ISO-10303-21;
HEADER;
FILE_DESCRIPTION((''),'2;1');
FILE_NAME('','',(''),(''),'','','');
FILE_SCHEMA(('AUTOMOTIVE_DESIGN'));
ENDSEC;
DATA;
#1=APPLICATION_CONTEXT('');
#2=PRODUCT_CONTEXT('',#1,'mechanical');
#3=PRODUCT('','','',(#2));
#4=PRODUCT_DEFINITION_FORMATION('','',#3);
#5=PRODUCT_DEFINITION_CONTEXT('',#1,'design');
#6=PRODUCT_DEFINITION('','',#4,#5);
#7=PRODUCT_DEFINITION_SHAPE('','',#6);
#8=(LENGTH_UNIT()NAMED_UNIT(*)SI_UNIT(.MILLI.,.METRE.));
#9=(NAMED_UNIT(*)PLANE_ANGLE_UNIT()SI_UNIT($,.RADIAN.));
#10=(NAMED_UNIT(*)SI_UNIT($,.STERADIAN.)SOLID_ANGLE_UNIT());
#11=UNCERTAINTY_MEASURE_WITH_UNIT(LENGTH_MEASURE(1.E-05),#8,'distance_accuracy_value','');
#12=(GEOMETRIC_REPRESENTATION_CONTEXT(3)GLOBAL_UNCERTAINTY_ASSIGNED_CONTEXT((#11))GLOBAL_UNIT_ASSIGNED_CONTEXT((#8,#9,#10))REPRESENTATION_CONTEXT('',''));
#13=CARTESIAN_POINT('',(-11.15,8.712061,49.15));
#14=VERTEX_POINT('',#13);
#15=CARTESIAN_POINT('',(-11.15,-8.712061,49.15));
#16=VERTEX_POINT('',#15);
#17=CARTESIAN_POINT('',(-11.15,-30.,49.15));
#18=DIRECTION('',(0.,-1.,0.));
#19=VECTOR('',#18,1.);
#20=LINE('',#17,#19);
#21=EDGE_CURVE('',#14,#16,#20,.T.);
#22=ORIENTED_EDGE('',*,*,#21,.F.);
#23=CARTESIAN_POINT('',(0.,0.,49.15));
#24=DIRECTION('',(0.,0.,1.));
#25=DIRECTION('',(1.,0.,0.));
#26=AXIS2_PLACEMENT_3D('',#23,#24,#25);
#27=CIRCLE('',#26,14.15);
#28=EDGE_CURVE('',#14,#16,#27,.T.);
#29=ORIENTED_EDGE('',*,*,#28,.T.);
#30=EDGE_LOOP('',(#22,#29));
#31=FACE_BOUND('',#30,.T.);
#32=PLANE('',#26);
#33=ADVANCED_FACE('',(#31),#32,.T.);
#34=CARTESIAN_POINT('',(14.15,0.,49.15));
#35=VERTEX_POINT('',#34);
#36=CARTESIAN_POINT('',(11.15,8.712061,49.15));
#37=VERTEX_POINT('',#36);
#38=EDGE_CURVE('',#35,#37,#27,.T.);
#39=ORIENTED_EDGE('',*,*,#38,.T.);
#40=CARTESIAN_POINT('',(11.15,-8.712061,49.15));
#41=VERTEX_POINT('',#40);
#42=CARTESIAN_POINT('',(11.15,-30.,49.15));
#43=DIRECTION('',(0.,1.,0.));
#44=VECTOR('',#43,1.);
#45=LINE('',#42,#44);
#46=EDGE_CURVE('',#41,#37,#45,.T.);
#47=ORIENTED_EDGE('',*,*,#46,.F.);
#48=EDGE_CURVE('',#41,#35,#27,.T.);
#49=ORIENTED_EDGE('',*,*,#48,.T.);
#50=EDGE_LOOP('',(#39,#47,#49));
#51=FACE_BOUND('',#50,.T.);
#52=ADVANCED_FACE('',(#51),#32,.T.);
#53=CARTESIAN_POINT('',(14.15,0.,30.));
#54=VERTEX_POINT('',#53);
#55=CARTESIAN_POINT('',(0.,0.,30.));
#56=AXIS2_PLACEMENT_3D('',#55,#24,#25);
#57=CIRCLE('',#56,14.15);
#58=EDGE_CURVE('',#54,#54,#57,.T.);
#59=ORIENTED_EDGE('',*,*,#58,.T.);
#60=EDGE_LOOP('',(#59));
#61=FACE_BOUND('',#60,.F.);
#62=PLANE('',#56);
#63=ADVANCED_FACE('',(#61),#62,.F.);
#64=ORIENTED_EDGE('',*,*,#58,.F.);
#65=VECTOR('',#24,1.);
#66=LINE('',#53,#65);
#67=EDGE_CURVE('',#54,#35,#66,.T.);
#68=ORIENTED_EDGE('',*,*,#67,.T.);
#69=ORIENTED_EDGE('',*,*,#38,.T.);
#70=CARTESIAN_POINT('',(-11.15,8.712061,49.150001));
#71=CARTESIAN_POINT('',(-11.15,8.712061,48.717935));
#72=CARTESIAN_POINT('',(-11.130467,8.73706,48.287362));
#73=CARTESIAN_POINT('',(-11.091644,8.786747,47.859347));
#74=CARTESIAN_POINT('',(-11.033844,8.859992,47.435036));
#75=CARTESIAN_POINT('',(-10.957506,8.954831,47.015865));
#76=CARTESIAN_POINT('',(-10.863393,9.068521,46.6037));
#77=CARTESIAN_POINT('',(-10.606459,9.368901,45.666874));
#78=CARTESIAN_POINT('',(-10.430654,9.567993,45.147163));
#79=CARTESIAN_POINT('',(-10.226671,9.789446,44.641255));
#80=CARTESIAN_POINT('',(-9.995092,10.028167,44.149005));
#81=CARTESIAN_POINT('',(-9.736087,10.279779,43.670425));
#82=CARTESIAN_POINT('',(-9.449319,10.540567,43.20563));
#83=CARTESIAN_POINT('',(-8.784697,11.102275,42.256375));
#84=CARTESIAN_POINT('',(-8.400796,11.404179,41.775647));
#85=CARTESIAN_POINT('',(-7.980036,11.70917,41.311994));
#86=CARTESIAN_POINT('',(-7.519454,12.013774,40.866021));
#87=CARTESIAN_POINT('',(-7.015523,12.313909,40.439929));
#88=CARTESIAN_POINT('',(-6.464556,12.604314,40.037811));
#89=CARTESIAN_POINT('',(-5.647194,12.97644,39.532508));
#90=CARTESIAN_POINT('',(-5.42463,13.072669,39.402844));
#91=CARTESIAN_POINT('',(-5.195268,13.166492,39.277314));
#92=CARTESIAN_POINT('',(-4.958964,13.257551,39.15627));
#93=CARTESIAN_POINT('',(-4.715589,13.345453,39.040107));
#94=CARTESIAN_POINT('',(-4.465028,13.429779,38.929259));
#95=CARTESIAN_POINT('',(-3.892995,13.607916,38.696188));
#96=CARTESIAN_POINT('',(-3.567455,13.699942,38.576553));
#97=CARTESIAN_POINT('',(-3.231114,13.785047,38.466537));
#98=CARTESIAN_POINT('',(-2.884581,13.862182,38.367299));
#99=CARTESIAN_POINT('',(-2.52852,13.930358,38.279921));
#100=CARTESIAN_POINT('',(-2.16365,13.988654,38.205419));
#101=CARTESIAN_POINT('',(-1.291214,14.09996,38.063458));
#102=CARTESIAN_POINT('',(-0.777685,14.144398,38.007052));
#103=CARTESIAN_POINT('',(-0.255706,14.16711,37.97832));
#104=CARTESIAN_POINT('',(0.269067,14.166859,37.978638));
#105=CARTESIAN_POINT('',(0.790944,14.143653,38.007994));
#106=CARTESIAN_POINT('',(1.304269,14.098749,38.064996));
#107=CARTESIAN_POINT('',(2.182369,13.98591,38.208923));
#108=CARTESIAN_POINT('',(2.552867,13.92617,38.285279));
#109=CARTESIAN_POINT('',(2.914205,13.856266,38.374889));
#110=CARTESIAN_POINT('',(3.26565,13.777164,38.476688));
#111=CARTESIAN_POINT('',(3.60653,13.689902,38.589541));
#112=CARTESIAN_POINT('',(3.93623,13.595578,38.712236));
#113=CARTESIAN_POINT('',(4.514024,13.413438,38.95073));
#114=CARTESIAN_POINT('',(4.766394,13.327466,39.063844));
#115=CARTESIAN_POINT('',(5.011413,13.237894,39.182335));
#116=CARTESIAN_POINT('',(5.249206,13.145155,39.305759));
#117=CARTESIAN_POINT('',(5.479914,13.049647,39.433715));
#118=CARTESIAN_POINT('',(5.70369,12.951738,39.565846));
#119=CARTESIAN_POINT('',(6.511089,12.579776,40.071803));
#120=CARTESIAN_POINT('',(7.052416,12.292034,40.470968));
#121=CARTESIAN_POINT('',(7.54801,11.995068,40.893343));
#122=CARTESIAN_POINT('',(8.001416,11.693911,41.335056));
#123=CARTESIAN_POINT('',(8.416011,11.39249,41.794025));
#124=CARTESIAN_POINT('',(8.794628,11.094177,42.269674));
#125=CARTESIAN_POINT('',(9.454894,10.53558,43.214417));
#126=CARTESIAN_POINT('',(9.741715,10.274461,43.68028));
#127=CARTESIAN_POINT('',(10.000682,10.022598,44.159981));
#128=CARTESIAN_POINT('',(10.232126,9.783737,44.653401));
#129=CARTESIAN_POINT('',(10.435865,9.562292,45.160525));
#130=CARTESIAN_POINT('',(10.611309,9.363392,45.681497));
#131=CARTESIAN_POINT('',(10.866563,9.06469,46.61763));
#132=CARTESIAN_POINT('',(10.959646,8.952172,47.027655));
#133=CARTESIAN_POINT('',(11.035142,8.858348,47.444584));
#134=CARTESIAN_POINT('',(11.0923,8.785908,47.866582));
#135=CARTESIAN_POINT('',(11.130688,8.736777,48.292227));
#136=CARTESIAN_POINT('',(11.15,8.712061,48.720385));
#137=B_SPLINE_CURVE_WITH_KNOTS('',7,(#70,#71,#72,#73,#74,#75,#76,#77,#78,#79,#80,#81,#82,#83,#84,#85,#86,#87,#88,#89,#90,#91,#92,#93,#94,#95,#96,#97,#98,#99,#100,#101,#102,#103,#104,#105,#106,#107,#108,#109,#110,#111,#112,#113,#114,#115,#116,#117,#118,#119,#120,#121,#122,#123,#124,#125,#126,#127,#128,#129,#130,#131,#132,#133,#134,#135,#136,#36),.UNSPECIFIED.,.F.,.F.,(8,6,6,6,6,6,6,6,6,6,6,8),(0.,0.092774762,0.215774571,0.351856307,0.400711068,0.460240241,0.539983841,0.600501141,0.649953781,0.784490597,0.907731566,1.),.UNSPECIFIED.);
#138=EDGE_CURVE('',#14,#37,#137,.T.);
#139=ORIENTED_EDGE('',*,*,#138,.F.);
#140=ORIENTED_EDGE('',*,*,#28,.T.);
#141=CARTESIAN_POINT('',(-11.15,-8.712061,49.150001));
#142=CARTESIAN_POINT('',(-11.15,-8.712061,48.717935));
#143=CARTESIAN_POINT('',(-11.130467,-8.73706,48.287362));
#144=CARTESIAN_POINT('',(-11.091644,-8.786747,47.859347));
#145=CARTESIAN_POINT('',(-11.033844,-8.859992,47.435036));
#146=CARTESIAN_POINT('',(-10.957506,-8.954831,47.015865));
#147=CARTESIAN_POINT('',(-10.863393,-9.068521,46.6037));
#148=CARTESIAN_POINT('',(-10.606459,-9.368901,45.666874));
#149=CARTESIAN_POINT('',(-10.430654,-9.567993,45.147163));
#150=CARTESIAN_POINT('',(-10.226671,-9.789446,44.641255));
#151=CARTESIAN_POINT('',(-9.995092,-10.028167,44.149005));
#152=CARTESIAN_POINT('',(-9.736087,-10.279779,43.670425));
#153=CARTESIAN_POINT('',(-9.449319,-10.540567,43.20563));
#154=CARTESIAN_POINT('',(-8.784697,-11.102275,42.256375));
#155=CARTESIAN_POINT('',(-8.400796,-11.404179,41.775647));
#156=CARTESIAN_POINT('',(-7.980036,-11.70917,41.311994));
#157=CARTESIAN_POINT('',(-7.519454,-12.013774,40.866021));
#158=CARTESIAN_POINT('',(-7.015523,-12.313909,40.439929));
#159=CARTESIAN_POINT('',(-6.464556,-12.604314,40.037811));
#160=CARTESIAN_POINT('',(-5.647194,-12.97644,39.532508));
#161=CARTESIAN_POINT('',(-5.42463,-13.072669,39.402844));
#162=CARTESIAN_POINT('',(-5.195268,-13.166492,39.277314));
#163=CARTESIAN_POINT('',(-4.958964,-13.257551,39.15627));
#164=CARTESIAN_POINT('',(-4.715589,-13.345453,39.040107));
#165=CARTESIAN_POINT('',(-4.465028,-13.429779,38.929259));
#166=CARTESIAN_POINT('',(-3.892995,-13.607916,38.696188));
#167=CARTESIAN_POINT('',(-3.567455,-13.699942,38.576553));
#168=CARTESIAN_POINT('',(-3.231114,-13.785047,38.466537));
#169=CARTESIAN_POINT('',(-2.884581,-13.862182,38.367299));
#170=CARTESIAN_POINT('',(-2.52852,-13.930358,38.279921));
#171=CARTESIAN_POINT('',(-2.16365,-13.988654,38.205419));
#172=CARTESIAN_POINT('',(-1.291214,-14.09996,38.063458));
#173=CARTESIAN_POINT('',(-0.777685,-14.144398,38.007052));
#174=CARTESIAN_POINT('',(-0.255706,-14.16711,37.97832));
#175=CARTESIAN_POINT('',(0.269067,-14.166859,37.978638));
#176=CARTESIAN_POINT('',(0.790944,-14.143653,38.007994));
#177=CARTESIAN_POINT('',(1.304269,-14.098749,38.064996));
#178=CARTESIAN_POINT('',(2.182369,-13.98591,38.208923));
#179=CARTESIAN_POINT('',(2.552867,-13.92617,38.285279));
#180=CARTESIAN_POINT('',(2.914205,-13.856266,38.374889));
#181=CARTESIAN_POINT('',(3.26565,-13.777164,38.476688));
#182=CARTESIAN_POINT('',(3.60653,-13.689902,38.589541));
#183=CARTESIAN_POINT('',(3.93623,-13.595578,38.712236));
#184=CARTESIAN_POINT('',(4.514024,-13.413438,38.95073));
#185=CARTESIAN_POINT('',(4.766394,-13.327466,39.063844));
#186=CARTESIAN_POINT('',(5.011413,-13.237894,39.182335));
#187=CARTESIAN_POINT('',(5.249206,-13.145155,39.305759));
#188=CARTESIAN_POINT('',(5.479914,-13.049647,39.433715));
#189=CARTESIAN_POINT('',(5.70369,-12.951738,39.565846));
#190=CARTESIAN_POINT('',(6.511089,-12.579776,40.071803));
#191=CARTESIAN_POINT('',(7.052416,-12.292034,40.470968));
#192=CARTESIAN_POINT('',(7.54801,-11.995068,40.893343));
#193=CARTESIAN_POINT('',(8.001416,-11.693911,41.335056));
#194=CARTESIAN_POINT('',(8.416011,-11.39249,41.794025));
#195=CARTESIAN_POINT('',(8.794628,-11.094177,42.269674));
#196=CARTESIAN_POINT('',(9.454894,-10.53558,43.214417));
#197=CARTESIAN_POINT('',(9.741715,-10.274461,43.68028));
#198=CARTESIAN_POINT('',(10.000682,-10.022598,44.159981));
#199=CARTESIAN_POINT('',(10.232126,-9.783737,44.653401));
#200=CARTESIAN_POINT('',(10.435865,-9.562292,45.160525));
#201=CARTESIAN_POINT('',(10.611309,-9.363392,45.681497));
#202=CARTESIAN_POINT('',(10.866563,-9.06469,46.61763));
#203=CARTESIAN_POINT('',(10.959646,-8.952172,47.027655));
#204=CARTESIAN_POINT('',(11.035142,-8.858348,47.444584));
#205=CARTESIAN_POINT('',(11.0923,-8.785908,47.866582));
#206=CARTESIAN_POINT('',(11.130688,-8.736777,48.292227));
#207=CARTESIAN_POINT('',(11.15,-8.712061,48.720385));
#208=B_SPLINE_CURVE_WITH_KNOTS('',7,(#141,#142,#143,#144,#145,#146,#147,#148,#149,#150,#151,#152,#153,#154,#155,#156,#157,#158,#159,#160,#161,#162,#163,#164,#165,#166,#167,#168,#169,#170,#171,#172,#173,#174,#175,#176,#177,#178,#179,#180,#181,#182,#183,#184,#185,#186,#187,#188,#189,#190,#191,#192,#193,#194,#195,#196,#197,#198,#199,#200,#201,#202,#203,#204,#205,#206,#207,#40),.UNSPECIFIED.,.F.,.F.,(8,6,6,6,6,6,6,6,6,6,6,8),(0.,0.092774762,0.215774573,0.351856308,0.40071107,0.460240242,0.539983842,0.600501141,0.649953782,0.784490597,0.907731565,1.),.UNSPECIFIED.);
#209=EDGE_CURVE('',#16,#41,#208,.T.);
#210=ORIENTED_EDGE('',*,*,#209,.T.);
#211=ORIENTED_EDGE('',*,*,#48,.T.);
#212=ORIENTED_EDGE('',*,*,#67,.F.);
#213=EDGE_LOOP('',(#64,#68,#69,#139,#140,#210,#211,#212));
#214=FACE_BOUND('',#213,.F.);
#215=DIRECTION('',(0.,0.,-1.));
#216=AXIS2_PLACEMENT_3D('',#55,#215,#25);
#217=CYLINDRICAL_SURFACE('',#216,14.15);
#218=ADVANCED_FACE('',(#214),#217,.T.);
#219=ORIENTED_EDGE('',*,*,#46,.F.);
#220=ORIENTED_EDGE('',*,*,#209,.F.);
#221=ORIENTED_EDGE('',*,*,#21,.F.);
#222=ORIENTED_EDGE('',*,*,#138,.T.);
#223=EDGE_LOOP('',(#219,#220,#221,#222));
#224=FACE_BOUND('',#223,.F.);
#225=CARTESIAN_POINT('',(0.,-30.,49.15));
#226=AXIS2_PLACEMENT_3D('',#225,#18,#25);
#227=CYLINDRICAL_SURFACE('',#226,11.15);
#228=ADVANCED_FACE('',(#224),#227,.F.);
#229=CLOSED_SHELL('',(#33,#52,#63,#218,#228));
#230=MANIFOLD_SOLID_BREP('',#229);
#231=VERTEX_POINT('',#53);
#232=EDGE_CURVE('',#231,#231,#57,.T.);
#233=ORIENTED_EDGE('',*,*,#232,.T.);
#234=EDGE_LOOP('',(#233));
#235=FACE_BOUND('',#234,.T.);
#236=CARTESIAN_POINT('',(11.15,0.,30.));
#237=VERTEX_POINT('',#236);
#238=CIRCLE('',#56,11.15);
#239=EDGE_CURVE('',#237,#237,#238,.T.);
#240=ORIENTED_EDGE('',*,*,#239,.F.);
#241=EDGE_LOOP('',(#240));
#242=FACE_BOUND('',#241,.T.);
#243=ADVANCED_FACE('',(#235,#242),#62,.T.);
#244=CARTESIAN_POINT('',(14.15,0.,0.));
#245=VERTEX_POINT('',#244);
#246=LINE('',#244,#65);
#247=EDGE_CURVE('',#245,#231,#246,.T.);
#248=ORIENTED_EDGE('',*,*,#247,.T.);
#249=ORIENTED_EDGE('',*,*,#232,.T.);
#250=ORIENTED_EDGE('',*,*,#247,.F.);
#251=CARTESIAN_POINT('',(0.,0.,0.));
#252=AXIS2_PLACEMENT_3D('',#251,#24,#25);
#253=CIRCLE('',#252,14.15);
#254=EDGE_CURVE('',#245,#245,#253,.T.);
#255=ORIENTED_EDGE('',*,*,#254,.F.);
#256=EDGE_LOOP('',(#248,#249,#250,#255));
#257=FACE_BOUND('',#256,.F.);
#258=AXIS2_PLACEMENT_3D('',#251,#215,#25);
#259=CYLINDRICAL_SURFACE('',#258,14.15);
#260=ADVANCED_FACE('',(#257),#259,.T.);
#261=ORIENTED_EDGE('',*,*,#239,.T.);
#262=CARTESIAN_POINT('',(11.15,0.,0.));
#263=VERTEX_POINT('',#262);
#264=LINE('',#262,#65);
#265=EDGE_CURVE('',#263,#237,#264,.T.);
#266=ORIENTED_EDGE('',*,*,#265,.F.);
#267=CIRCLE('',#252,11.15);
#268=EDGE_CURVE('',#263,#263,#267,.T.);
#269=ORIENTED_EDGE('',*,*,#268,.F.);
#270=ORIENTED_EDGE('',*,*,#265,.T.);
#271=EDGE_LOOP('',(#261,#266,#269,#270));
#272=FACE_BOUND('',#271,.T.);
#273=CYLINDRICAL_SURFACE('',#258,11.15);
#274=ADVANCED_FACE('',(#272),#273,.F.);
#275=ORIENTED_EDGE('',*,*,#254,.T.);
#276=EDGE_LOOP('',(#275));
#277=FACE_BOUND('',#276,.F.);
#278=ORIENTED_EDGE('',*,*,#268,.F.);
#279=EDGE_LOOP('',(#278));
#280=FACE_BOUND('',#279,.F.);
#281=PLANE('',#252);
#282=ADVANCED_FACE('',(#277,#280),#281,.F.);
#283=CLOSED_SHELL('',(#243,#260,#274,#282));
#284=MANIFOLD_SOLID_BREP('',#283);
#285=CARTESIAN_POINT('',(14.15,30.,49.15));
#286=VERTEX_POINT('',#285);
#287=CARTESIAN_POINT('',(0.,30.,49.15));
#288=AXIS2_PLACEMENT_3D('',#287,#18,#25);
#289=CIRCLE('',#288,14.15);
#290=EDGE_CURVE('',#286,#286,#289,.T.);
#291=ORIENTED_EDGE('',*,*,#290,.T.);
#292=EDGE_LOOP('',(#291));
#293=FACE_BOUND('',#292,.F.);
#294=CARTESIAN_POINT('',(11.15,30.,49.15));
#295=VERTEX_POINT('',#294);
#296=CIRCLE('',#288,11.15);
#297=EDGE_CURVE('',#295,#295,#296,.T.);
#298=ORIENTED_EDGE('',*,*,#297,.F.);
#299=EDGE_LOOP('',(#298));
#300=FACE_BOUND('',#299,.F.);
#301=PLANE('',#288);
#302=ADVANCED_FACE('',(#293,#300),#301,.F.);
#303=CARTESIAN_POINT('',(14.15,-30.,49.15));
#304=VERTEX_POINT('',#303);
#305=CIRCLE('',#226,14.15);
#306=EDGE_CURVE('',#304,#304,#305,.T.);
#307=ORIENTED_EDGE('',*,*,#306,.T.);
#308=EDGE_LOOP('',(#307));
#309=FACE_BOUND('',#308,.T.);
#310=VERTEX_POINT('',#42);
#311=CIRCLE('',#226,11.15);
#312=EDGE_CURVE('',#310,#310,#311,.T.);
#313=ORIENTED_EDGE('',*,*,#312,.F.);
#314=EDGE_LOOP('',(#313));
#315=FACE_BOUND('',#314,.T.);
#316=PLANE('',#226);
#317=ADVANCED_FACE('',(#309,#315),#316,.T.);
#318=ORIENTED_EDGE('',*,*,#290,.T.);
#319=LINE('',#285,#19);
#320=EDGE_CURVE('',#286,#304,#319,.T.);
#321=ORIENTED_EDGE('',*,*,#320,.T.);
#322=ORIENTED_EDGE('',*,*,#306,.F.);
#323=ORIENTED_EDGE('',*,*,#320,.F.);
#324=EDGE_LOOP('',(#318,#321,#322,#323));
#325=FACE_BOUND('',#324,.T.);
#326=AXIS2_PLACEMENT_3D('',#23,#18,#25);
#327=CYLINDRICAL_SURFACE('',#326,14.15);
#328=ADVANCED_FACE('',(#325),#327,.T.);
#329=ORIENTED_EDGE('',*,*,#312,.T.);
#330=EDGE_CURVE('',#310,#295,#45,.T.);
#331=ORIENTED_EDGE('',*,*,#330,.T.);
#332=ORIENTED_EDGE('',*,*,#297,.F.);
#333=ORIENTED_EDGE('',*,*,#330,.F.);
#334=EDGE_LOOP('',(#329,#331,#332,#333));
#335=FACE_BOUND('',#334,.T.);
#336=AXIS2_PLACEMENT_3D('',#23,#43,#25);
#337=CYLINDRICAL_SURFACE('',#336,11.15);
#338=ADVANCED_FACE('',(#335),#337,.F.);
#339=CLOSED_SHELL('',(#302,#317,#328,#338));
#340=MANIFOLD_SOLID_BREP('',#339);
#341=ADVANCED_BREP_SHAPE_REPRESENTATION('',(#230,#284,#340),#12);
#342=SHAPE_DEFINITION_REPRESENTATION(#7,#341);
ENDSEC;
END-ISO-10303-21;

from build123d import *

# Parameters (mm, degrees)
F0_R     = 14.15
F0_R_2   = 11.15
F1_DEPTH = 30
F2_R     = 14.15
F2_R_2   = 11.15
F3_DEPTH = 30
F4_R     = 14.15
F5_DEPTH = 19.15
F6_R     = 11.15
F7_DEPTH = 60


with BuildPart() as f1:
    # F0 (on Top) → F1 (new body)
    with BuildSketch(Plane.XY):
        Circle(F0_R)
        Circle(F0_R_2, mode=Mode.SUBTRACT)
    extrude(amount=F1_DEPTH)


with BuildPart() as f3:
    # F2 (on Front) → F3 (new body, symmetric)
    with BuildSketch(Plane.XZ):
        with Locations((0, 49.15)):
            Circle(F2_R)
        with Locations((0, 49.15)):
            Circle(F2_R_2, mode=Mode.SUBTRACT)
    extrude(amount=F3_DEPTH, both=True)


with BuildPart() as f5:
    # F4 (on face) → F5 (new body)
    with BuildSketch(Plane.XY.offset(30)):
        Circle(F4_R)
    extrude(amount=F5_DEPTH)

    # F6 (on face) → F7 (cut)
    with BuildSketch(Plane.XZ.offset(30)):
        with Locations((0, 49.15)):
            Circle(F6_R)
    extrude(amount=-F7_DEPTH, mode=Mode.SUBTRACT)


solid = Compound([f1.part, f3.part, f5.part])
